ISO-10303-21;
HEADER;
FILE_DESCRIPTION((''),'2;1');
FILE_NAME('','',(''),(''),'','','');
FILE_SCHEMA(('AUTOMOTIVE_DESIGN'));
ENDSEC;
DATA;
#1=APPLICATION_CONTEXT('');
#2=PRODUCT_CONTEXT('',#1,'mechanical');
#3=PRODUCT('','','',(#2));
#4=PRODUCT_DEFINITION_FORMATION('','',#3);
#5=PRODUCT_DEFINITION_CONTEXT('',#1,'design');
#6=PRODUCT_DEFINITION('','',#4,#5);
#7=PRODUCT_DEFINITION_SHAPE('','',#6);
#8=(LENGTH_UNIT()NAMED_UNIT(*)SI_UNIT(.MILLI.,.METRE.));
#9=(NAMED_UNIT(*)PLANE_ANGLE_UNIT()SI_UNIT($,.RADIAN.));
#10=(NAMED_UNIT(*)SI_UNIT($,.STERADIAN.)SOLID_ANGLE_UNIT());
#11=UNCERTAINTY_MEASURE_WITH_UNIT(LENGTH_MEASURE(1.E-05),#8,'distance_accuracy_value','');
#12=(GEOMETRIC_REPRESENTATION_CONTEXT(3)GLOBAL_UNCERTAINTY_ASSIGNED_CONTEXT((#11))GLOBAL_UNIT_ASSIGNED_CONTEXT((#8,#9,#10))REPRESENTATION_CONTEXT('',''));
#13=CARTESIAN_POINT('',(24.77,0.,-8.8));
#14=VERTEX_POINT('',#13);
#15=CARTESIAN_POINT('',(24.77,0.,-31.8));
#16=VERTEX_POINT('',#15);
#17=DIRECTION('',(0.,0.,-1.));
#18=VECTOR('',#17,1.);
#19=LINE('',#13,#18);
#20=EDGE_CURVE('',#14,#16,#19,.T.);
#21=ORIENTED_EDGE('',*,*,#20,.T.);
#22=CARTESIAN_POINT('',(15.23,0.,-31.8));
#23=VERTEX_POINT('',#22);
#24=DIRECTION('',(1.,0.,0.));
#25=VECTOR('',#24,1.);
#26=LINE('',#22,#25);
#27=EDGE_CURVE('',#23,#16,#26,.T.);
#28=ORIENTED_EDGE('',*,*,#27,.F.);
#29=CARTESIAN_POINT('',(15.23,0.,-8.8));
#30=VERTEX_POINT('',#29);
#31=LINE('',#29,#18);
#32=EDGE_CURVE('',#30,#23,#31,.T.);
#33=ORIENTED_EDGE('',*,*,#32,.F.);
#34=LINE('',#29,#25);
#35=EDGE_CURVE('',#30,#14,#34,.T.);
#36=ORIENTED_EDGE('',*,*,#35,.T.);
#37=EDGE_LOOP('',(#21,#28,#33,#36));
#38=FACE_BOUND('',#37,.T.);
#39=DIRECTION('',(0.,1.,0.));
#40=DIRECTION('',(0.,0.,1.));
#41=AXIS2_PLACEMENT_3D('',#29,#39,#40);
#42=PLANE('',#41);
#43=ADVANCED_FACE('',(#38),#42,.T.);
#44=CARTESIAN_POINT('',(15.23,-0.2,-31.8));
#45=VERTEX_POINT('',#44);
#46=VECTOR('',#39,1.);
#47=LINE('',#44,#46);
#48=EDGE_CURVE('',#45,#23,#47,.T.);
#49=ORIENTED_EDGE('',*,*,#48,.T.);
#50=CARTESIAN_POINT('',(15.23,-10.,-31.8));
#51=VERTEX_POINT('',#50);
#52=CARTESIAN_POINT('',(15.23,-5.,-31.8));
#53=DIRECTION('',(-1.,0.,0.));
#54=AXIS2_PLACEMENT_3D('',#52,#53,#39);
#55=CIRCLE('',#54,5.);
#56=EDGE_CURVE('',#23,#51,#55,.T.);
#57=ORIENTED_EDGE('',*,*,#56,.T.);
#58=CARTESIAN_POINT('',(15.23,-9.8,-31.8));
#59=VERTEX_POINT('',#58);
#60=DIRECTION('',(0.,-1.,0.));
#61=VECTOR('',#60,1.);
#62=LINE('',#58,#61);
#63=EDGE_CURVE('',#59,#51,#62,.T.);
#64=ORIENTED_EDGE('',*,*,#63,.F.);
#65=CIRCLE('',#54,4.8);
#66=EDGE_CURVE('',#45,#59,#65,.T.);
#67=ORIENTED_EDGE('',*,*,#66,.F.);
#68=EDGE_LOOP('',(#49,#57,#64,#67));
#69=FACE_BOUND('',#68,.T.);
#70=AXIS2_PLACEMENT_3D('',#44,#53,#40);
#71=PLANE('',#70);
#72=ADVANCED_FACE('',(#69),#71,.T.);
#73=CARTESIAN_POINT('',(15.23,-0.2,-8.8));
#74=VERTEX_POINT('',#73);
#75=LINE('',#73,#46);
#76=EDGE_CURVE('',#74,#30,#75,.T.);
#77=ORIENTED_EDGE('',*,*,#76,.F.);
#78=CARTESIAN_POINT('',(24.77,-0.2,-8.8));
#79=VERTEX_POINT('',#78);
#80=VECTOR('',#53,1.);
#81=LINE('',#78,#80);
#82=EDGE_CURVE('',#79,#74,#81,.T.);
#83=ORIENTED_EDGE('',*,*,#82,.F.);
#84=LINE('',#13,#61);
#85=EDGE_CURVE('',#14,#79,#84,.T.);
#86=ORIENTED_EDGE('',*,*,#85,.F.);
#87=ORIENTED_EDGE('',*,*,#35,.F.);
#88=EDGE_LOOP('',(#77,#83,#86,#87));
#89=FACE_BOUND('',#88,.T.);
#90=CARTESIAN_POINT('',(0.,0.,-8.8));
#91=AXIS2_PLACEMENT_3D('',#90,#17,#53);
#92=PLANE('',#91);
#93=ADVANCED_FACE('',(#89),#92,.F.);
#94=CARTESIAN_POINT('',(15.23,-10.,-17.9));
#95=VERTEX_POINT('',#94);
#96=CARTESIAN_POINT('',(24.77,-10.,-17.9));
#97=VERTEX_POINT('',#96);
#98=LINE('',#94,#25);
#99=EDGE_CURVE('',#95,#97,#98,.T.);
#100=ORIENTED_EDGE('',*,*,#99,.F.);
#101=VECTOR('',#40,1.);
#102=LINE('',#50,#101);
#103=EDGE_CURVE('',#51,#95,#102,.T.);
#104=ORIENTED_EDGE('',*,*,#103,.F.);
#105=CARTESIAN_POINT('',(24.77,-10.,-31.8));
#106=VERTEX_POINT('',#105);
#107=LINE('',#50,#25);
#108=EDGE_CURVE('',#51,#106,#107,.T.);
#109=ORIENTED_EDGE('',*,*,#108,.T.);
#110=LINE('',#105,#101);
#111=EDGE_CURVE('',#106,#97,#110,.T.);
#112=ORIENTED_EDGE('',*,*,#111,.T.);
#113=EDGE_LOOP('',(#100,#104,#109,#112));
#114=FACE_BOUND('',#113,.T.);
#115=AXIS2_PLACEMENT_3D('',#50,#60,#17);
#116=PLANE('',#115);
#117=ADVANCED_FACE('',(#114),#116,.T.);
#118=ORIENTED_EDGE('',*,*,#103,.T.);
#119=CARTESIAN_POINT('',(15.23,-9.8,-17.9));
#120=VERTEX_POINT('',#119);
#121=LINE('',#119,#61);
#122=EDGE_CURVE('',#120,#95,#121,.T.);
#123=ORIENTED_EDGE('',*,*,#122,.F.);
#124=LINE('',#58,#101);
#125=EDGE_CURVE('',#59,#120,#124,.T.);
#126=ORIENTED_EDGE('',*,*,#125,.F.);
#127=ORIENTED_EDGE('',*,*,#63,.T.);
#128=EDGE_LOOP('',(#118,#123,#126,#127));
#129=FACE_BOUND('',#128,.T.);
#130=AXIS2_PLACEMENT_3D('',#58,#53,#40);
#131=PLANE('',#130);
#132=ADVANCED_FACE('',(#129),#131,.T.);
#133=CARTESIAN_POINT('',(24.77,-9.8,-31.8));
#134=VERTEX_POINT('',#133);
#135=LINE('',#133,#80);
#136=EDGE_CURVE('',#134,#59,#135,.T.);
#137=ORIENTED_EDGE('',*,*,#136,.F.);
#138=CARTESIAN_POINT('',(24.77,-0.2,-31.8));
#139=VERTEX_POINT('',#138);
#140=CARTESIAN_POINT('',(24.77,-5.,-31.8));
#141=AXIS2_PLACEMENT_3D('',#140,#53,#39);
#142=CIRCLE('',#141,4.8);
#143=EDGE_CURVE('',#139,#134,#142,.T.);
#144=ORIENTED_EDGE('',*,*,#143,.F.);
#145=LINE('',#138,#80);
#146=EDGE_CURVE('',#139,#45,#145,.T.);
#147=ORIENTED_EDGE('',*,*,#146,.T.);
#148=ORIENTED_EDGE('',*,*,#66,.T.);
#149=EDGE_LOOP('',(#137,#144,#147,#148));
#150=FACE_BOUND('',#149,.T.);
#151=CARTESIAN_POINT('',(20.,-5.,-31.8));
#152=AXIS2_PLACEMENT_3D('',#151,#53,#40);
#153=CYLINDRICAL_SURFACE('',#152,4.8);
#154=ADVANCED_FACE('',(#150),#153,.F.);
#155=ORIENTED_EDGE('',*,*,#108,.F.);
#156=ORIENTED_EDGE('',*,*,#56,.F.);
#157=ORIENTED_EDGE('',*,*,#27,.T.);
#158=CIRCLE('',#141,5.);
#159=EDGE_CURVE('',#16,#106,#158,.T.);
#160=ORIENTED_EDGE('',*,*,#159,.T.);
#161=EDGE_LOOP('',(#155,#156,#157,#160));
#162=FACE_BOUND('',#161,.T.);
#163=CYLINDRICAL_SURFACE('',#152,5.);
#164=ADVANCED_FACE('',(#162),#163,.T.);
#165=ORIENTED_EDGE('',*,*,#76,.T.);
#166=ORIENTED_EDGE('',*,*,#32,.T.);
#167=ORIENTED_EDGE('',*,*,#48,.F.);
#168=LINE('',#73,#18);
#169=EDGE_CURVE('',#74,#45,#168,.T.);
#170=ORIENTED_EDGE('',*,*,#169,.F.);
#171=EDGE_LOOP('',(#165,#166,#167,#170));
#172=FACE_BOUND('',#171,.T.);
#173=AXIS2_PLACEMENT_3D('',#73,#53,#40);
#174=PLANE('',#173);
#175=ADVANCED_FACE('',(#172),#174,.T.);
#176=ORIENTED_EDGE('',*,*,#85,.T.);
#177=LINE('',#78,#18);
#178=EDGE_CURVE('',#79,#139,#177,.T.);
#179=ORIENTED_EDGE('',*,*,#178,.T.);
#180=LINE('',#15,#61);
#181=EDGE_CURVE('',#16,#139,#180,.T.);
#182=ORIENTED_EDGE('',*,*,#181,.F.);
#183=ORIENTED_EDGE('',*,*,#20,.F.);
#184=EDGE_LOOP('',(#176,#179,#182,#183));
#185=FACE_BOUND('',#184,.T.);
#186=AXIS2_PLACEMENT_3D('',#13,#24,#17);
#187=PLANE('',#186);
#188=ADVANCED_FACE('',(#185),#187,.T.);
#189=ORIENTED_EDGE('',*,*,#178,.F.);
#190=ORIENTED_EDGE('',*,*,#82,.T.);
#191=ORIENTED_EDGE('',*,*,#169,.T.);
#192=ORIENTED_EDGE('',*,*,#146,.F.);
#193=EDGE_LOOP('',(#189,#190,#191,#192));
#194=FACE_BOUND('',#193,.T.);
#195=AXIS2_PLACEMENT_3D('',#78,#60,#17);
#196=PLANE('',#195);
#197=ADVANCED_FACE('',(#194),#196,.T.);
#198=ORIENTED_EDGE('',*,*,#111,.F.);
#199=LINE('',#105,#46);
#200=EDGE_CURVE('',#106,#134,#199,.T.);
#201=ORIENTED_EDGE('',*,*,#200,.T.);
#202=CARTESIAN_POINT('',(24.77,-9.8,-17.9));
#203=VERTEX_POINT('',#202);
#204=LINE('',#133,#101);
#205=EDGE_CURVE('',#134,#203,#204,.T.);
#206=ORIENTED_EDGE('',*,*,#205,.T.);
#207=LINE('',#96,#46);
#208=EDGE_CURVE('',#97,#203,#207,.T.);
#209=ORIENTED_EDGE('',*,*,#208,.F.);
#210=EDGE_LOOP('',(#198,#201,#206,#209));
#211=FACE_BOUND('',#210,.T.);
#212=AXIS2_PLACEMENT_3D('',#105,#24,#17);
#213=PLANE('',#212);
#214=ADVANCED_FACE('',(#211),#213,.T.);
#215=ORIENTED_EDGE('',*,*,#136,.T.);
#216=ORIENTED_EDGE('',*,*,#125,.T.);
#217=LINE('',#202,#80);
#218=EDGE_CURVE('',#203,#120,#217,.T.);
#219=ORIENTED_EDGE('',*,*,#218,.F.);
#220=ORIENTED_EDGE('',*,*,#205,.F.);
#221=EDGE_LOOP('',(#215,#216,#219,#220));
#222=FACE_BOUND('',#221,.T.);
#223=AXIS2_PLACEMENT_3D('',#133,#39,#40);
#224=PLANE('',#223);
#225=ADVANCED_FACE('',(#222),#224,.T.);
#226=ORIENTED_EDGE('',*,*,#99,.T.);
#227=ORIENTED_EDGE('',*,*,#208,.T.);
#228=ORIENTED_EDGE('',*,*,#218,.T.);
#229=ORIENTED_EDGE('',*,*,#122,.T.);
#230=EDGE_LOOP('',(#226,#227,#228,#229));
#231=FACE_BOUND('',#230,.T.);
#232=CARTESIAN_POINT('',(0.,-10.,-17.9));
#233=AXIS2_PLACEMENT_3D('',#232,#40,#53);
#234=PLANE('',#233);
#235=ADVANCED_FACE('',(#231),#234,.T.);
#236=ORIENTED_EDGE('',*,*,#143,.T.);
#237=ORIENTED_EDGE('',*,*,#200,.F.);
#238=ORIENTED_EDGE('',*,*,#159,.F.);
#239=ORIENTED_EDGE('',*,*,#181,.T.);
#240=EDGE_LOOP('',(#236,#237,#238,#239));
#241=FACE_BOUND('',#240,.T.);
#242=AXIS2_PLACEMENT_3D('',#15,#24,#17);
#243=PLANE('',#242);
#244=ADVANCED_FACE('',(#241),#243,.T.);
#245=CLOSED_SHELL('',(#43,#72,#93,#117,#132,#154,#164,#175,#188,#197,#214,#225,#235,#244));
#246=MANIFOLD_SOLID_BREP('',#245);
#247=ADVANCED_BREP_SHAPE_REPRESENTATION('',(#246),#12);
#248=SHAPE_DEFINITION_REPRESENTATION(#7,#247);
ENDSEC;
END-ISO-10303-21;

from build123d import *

# Parameters (mm, degrees)
SKETCH_1_W = 9.54
SKETCH_1_H = 0.2


with BuildPart() as part:
    # 스윕1: sweep along a path in 스케치3
    with BuildLine(Plane(origin=(20, 0, 0), x_dir=(0, 0, -1), z_dir=(1, 0, 0))) as sweep_1_path:
        Line((8.8, 0), (31.8, 0))
        ThreePointArc((31.8, 0), (36.8, -5), (31.8, -10))
        Line((31.8, -10), (17.9, -10))
    # 스케치1 → 스윕1 (sweep)
    with BuildSketch(Plane(origin=(0, 0, -8.8), x_dir=(-1, 0, 0), z_dir=(0, 0, -1))):
        with Locations((-20, -0.1)):
            Rectangle(SKETCH_1_W, SKETCH_1_H)
    sweep(path=sweep_1_path.line)


solid = part.part
